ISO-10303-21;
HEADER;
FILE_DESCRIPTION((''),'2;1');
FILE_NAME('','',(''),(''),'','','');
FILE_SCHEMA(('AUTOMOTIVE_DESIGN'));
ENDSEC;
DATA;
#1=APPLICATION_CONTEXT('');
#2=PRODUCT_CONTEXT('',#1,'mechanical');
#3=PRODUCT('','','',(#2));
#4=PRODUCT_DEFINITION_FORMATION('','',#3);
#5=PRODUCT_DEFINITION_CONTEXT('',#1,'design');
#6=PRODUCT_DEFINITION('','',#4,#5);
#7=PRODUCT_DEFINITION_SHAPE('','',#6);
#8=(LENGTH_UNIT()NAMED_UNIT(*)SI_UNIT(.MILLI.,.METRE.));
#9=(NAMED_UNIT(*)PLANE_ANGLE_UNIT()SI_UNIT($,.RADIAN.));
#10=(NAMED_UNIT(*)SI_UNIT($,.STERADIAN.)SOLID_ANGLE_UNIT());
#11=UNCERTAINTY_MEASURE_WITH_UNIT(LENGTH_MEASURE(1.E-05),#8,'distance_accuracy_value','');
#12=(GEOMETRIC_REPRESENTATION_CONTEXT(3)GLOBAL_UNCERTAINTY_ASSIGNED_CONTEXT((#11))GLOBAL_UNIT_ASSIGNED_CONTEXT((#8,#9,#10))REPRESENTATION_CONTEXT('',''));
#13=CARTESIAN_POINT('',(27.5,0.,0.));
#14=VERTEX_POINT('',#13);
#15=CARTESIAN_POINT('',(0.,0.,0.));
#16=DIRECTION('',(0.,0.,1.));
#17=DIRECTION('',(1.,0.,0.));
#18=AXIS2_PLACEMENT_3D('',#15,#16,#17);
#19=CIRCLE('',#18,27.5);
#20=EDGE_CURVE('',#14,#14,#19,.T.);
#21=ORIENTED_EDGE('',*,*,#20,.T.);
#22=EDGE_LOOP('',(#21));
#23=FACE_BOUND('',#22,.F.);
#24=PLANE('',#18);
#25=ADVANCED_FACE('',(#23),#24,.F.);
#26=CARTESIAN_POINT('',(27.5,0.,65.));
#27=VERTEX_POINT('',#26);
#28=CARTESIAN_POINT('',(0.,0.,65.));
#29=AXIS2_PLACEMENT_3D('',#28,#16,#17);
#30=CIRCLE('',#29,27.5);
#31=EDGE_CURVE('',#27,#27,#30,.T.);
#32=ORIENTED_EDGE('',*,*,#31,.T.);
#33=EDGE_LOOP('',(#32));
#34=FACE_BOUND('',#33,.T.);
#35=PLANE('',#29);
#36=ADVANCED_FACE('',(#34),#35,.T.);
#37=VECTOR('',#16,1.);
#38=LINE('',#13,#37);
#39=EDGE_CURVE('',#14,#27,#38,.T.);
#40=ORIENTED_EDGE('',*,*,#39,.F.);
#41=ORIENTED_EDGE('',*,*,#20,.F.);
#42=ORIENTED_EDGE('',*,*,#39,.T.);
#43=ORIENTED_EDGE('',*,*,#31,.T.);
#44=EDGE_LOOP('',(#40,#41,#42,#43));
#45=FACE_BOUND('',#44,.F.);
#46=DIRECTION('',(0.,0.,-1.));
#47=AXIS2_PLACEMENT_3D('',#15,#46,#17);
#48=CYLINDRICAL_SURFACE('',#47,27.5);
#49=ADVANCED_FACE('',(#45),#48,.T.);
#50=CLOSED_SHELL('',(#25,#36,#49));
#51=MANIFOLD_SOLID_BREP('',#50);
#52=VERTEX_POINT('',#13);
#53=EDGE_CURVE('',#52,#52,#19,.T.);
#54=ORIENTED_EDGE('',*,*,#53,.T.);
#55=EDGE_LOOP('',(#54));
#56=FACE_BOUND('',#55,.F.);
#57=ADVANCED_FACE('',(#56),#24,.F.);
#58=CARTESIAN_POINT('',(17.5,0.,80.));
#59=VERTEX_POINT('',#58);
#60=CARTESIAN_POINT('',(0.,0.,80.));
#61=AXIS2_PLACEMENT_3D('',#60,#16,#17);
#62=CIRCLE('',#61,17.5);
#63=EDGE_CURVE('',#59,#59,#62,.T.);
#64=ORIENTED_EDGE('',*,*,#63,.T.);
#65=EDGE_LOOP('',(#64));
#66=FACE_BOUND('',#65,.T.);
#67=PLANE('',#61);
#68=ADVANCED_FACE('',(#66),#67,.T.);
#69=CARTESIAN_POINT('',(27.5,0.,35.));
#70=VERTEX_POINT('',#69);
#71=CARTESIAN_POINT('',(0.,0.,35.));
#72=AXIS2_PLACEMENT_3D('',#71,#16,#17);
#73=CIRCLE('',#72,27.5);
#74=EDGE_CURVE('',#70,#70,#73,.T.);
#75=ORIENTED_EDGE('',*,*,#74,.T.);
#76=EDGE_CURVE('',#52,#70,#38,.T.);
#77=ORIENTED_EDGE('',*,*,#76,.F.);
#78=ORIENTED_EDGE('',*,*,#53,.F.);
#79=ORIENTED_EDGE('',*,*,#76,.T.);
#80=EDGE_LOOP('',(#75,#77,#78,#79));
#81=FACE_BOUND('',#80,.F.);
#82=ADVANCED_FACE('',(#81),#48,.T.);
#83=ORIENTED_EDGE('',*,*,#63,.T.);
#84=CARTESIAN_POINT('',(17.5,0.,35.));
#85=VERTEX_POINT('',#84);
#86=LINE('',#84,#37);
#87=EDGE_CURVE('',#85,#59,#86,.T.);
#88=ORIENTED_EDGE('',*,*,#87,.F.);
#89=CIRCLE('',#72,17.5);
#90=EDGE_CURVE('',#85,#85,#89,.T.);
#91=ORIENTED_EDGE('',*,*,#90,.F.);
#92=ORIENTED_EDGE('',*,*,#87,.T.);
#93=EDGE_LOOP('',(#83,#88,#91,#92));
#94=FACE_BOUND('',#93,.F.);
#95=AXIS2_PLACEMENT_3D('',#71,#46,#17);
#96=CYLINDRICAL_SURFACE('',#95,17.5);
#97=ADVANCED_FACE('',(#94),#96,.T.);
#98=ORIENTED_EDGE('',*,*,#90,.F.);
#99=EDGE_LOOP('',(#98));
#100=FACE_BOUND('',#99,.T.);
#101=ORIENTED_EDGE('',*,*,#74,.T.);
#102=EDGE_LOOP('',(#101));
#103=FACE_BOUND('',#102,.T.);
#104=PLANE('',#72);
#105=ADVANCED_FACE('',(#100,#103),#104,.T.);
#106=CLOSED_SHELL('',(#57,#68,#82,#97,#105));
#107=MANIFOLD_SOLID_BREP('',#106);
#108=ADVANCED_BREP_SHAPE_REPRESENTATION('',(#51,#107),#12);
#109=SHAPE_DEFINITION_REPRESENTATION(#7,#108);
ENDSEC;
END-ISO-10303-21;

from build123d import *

# Parameters (mm, degrees)
SKETCH_R     = 27.5
PAD_DEPTH    = 35
SKETCH001_R  = 17.5
PAD001_DEPTH = 45
SKETCH002_R  = 27.5
PAD002_DEPTH = 65


with BuildPart() as body:
    # Sketch → Pad (new body)
    with BuildSketch(Plane.XY):
        Circle(SKETCH_R)
    extrude(amount=PAD_DEPTH)

    # Sketch001 (on Face3 of Pad) → Pad001 (join)
    with BuildSketch(Plane.XY.offset(35)):
        Circle(SKETCH001_R)
    extrude(amount=PAD001_DEPTH)


with BuildPart() as body001:
    # Sketch002 → Pad002 (new body)
    with BuildSketch(Plane.XY):
        Circle(SKETCH002_R)
    extrude(amount=PAD002_DEPTH)


solid = Compound([body.part, body001.part])
